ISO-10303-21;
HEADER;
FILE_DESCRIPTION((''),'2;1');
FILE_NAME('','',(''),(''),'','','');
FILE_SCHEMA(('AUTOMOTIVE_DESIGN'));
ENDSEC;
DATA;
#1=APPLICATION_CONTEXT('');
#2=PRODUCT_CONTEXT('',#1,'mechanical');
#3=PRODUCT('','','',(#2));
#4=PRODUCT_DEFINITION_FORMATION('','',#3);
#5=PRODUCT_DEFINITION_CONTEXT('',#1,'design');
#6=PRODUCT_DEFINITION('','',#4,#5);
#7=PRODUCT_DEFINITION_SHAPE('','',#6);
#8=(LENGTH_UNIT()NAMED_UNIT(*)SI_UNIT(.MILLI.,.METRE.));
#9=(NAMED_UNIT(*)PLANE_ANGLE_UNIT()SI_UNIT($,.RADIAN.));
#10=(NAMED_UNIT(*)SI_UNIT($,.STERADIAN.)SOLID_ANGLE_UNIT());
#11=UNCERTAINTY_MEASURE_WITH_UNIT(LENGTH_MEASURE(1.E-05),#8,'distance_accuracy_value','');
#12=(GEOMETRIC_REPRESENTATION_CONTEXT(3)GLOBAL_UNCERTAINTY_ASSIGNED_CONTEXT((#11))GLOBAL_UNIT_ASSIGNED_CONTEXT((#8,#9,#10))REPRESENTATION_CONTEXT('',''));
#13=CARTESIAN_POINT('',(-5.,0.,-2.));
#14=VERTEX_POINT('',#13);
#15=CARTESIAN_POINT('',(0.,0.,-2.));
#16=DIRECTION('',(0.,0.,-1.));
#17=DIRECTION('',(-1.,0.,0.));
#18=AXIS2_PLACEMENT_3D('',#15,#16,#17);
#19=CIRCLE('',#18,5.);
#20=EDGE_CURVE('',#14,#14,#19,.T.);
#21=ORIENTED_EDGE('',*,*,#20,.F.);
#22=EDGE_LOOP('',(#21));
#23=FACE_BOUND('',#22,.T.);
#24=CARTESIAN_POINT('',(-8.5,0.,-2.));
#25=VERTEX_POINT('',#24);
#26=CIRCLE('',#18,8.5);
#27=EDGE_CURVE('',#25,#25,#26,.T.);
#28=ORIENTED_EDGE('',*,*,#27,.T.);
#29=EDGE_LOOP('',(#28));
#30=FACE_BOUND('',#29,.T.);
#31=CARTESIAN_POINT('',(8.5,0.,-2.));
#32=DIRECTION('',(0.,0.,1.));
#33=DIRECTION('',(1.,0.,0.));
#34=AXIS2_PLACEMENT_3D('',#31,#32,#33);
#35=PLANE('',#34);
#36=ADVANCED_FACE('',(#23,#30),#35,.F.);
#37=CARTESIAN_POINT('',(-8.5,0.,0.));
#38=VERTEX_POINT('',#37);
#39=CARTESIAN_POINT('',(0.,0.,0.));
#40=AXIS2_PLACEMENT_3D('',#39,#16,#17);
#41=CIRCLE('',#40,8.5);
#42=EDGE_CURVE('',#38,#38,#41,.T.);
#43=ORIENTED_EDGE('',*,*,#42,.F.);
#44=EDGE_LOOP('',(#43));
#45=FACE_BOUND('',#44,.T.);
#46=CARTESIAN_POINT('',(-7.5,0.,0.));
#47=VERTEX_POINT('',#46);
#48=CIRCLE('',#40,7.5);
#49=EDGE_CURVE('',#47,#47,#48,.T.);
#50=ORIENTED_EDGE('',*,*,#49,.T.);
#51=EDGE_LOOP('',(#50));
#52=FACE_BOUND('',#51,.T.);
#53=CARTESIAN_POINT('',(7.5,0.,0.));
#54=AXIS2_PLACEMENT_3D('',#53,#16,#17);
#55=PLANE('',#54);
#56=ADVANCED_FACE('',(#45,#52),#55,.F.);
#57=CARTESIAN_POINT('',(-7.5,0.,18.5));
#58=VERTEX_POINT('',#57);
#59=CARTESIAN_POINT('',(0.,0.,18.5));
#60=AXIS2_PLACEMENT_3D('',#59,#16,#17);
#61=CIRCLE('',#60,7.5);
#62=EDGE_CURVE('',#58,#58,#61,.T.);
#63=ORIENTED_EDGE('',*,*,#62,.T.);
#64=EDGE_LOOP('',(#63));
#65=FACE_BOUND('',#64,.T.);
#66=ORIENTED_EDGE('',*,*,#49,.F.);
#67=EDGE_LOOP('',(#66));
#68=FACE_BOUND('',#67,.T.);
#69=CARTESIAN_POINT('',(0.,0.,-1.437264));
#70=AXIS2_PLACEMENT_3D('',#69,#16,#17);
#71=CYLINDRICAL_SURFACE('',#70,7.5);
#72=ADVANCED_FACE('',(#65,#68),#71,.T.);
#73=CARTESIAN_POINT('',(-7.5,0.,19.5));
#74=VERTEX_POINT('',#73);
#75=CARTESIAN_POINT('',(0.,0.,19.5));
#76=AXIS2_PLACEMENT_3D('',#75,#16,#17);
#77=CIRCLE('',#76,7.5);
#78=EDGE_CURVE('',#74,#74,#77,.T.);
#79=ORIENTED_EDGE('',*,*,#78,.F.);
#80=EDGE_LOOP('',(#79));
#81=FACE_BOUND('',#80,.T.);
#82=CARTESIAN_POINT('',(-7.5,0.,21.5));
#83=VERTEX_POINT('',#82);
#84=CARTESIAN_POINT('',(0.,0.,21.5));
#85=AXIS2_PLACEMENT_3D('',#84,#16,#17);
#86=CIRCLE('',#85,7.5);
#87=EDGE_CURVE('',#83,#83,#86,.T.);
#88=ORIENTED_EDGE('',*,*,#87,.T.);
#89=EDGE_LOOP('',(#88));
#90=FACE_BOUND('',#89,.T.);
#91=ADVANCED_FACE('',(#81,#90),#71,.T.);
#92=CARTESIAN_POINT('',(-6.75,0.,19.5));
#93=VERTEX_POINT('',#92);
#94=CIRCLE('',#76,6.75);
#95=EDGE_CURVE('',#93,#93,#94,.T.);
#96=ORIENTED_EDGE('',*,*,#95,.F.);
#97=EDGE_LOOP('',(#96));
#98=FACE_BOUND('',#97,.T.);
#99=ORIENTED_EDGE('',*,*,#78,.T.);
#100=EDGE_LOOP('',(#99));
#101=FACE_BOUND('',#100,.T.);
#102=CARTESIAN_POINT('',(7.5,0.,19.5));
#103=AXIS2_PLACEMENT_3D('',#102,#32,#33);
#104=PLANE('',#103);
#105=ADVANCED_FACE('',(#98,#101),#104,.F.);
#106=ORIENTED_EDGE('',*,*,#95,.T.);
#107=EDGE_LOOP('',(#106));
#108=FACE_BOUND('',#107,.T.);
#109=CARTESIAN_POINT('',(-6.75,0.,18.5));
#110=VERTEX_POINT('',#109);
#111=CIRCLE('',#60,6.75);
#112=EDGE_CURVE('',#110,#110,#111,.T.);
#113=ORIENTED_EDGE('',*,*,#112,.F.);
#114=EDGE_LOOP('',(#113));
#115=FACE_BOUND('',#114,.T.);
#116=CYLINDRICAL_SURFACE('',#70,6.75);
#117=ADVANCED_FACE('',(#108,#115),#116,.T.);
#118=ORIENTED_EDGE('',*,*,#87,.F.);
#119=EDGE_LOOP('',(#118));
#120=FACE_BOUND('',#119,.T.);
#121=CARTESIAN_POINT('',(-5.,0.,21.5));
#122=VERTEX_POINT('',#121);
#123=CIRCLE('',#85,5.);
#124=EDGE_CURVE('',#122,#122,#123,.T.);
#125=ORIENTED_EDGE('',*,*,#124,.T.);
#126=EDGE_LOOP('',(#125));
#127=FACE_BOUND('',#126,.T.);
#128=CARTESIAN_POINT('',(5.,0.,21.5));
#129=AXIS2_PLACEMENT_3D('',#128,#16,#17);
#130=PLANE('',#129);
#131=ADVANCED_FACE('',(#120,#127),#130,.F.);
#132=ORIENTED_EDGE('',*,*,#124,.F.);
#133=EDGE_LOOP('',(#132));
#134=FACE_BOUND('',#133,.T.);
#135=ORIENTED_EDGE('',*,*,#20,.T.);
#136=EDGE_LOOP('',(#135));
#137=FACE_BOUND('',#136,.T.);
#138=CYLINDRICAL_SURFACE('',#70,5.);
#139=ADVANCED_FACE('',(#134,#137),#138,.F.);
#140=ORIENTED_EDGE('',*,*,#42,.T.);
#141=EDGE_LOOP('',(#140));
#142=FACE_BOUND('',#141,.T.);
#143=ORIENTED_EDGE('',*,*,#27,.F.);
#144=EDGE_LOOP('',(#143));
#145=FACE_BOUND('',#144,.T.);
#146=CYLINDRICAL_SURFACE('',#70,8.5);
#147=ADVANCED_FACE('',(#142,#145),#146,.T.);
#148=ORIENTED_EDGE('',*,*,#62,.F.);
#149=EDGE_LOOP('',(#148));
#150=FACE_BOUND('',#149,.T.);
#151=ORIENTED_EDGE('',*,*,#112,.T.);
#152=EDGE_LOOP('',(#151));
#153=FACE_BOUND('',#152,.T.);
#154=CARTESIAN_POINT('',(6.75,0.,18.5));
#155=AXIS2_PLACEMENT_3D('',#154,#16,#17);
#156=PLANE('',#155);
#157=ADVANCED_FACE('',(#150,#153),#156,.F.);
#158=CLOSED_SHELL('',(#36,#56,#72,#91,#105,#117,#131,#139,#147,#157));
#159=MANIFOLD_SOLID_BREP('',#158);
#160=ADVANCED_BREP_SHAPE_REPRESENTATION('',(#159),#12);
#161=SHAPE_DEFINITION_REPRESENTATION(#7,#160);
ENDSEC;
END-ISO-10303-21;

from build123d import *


with BuildPart() as part:
    # Sketch1 → Revolve1 (revolve)
    with BuildSketch(Plane(origin=(0, 0, 0), x_dir=(1, 0, 0), z_dir=(0, 1, 0)), mode=Mode.PRIVATE) as revolve1_sk:
        Polygon((5, 2), (5, -21.5), (7.5, -21.5), (7.5, -19.5), (6.75, -19.5), (6.75, -18.5), (7.5, -18.5), (7.5, 0), (8.5, 0), (8.5, 2), align=None)
    revolve(revolve1_sk.sketch.rotate(Axis((0, 0, -1.437264446), (0, 0, 1)), 180), axis=Axis((0, 0, -1.437264446), (0, 0, 1)))


solid = part.part
